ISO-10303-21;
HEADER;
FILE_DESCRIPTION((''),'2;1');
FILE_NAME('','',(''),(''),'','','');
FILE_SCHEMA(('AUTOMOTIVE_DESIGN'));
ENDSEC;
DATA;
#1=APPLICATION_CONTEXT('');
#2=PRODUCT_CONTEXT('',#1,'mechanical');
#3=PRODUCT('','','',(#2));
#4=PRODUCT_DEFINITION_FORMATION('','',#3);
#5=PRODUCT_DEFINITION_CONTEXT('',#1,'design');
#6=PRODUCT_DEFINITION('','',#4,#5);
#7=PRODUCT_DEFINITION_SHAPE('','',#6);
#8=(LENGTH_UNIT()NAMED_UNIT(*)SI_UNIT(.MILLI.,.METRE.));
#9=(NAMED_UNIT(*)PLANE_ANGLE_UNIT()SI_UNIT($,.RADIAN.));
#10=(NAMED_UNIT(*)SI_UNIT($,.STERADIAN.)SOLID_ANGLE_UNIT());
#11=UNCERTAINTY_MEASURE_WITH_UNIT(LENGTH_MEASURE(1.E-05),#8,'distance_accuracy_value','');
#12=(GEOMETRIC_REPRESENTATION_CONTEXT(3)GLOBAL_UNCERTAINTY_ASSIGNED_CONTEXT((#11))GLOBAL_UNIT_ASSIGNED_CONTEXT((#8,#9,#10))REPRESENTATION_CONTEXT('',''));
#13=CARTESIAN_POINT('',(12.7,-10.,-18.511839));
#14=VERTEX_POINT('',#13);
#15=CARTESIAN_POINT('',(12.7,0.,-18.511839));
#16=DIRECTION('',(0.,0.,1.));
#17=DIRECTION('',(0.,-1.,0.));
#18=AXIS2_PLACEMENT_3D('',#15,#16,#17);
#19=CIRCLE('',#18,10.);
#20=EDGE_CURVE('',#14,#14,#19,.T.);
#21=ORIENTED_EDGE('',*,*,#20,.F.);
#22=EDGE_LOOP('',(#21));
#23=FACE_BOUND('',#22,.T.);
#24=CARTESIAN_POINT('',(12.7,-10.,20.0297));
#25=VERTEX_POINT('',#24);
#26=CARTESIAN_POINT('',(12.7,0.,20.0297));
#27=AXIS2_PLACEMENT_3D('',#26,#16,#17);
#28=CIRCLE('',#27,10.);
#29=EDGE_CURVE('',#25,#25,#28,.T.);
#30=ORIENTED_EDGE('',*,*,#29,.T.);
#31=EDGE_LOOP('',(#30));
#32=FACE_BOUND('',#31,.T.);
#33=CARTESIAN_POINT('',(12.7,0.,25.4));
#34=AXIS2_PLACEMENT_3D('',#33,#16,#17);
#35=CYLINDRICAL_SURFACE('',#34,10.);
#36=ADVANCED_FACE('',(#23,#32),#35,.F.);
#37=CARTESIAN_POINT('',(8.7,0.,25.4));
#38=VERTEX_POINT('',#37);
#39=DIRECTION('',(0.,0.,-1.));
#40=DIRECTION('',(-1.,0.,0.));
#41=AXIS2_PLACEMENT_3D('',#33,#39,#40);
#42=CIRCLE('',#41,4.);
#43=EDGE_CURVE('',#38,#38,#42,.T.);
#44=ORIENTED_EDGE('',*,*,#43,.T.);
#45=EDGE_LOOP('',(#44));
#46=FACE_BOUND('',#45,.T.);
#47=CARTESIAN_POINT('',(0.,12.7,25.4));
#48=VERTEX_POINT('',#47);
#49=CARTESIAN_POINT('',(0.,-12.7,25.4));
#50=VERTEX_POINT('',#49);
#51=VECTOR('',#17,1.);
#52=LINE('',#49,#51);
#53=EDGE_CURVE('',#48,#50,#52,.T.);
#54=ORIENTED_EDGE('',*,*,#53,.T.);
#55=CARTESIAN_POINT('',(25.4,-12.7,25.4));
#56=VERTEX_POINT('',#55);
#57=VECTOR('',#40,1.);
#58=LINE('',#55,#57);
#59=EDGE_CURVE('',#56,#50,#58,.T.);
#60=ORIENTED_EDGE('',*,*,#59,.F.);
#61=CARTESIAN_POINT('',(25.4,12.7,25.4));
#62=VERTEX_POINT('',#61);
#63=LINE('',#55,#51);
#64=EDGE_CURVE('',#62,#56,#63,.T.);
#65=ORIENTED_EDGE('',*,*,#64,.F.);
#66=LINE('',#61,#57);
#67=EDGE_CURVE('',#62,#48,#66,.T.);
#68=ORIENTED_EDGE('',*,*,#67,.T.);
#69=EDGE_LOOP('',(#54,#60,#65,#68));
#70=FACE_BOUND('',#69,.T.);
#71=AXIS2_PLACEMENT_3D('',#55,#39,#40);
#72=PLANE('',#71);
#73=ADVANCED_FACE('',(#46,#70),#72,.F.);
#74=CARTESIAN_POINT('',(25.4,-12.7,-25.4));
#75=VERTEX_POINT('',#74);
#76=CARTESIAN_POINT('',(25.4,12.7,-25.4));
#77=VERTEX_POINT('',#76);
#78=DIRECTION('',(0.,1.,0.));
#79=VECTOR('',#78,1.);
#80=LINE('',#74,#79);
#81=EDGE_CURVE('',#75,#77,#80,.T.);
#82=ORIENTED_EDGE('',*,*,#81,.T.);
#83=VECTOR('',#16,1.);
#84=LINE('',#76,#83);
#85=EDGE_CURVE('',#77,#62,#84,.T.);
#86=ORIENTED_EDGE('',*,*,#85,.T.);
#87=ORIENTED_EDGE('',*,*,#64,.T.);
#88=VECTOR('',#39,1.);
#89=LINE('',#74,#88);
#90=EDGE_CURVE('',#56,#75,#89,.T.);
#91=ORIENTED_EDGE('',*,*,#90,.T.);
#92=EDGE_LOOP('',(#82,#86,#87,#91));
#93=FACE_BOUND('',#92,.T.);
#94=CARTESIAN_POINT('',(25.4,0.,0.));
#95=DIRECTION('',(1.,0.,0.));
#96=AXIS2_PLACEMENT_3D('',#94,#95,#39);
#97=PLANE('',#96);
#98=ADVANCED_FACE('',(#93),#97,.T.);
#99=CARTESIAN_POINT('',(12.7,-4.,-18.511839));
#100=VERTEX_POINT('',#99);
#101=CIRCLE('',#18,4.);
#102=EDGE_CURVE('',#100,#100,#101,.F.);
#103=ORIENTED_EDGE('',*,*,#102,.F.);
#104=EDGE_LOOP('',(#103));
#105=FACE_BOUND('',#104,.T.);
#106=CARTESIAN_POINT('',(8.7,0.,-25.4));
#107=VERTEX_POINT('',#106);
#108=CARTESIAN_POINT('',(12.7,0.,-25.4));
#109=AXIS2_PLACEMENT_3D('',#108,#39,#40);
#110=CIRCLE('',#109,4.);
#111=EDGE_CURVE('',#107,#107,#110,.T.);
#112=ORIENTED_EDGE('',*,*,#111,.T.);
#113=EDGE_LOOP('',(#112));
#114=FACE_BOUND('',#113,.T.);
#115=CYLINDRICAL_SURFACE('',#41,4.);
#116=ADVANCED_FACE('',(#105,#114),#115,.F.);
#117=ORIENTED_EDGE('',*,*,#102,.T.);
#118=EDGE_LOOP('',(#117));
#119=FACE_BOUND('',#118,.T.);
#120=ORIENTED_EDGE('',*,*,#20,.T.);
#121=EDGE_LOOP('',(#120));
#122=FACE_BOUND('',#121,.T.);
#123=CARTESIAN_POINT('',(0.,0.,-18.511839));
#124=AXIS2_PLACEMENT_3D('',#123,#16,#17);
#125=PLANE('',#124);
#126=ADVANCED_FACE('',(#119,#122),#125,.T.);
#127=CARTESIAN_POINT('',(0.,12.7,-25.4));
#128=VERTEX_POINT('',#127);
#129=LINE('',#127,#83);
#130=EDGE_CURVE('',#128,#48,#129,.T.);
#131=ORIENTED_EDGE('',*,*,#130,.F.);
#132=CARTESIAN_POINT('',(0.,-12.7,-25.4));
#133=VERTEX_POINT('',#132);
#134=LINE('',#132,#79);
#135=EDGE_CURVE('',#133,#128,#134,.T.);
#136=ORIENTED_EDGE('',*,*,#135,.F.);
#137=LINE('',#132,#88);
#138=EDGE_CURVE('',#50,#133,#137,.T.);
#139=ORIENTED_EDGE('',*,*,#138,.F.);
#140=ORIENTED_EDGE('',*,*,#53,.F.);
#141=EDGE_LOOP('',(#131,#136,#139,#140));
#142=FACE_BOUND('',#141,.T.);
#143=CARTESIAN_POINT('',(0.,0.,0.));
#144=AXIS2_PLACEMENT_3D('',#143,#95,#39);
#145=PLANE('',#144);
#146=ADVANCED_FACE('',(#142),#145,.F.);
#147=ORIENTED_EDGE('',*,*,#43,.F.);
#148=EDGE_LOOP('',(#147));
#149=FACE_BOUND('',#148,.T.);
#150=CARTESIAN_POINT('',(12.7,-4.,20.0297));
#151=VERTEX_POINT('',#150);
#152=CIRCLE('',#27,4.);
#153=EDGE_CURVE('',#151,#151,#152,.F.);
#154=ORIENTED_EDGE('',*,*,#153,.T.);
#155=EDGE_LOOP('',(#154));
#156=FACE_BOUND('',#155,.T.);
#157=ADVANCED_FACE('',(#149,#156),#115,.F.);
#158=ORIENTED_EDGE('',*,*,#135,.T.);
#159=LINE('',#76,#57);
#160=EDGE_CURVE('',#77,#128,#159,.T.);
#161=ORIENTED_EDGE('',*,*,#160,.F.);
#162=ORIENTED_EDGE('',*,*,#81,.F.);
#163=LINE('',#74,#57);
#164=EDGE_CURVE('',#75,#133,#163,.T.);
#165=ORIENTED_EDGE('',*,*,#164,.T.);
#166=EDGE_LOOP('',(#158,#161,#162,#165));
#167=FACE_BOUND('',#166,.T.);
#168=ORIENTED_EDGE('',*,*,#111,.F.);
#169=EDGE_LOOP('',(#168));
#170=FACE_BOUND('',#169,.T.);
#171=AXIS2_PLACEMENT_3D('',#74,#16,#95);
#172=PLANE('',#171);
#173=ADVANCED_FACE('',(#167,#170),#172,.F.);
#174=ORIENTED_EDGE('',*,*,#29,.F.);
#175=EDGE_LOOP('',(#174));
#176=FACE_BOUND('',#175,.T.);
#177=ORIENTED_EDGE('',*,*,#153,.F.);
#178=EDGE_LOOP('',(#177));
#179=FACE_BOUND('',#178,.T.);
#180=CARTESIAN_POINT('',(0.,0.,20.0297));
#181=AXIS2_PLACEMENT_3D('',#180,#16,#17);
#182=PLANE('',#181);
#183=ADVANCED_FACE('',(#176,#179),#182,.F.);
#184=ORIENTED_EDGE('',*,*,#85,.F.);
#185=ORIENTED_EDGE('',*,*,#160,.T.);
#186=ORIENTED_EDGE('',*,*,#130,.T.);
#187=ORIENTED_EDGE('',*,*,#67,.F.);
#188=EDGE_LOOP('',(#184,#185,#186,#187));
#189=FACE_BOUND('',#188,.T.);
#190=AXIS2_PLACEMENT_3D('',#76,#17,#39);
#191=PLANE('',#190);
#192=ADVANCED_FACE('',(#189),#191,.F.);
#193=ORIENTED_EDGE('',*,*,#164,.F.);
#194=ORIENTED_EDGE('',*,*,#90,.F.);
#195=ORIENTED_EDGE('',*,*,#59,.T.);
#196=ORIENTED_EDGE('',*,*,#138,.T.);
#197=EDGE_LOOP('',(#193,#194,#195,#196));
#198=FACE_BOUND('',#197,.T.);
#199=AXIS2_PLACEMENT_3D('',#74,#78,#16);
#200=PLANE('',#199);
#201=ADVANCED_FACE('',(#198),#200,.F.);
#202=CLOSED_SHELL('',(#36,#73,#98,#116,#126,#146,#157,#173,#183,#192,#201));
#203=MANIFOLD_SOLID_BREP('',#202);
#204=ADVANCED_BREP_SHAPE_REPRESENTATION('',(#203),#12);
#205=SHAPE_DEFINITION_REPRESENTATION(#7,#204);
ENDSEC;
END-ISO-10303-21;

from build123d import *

# Parameters (mm, degrees)
SKETCH1_W           = 50.8
SKETCH1_H           = 25.4
BOSS_EXTRUDE1_DEPTH = 25.4
SKETCH2_R           = 4
CUT_EXTRUDE1_DEPTH  = 50.8
SKETCH3_W           = 10
SKETCH3_H           = 38.541538457


with BuildPart() as part:
    # Sketch1 → Boss-Extrude1 (new body)
    with BuildSketch(Plane(origin=(0, 0, 0), x_dir=(0, 0, -1), z_dir=(1, 0, 0))):
        Rectangle(SKETCH1_W, SKETCH1_H)
    extrude(amount=BOSS_EXTRUDE1_DEPTH)

    # Sketch2 → Cut-Extrude1 (cut)
    with BuildSketch(Plane(origin=(0, 0, -25.4), x_dir=(-1, 0, 0), z_dir=(0, 0, -1))):
        with Locations((-12.7, 0)):
            Circle(SKETCH2_R)
    extrude(amount=-CUT_EXTRUDE1_DEPTH, mode=Mode.SUBTRACT)

    # Sketch3 → Cut-Revolve2 (revolve, cut)
    with BuildSketch(Plane(origin=(0, 0, 0), x_dir=(1, 0, 0), z_dir=(0, 1, 0)), mode=Mode.PRIVATE) as cut_revolve2_sk:
        with Locations((17.7, -0.758930583)):
            Rectangle(SKETCH3_W, SKETCH3_H)
    revolve(cut_revolve2_sk.sketch.rotate(Axis((12.7, 0, 25.4), (0, 0, -1)), 180), axis=Axis((12.7, 0, 25.4), (0, 0, -1)), mode=Mode.SUBTRACT)


solid = part.part
